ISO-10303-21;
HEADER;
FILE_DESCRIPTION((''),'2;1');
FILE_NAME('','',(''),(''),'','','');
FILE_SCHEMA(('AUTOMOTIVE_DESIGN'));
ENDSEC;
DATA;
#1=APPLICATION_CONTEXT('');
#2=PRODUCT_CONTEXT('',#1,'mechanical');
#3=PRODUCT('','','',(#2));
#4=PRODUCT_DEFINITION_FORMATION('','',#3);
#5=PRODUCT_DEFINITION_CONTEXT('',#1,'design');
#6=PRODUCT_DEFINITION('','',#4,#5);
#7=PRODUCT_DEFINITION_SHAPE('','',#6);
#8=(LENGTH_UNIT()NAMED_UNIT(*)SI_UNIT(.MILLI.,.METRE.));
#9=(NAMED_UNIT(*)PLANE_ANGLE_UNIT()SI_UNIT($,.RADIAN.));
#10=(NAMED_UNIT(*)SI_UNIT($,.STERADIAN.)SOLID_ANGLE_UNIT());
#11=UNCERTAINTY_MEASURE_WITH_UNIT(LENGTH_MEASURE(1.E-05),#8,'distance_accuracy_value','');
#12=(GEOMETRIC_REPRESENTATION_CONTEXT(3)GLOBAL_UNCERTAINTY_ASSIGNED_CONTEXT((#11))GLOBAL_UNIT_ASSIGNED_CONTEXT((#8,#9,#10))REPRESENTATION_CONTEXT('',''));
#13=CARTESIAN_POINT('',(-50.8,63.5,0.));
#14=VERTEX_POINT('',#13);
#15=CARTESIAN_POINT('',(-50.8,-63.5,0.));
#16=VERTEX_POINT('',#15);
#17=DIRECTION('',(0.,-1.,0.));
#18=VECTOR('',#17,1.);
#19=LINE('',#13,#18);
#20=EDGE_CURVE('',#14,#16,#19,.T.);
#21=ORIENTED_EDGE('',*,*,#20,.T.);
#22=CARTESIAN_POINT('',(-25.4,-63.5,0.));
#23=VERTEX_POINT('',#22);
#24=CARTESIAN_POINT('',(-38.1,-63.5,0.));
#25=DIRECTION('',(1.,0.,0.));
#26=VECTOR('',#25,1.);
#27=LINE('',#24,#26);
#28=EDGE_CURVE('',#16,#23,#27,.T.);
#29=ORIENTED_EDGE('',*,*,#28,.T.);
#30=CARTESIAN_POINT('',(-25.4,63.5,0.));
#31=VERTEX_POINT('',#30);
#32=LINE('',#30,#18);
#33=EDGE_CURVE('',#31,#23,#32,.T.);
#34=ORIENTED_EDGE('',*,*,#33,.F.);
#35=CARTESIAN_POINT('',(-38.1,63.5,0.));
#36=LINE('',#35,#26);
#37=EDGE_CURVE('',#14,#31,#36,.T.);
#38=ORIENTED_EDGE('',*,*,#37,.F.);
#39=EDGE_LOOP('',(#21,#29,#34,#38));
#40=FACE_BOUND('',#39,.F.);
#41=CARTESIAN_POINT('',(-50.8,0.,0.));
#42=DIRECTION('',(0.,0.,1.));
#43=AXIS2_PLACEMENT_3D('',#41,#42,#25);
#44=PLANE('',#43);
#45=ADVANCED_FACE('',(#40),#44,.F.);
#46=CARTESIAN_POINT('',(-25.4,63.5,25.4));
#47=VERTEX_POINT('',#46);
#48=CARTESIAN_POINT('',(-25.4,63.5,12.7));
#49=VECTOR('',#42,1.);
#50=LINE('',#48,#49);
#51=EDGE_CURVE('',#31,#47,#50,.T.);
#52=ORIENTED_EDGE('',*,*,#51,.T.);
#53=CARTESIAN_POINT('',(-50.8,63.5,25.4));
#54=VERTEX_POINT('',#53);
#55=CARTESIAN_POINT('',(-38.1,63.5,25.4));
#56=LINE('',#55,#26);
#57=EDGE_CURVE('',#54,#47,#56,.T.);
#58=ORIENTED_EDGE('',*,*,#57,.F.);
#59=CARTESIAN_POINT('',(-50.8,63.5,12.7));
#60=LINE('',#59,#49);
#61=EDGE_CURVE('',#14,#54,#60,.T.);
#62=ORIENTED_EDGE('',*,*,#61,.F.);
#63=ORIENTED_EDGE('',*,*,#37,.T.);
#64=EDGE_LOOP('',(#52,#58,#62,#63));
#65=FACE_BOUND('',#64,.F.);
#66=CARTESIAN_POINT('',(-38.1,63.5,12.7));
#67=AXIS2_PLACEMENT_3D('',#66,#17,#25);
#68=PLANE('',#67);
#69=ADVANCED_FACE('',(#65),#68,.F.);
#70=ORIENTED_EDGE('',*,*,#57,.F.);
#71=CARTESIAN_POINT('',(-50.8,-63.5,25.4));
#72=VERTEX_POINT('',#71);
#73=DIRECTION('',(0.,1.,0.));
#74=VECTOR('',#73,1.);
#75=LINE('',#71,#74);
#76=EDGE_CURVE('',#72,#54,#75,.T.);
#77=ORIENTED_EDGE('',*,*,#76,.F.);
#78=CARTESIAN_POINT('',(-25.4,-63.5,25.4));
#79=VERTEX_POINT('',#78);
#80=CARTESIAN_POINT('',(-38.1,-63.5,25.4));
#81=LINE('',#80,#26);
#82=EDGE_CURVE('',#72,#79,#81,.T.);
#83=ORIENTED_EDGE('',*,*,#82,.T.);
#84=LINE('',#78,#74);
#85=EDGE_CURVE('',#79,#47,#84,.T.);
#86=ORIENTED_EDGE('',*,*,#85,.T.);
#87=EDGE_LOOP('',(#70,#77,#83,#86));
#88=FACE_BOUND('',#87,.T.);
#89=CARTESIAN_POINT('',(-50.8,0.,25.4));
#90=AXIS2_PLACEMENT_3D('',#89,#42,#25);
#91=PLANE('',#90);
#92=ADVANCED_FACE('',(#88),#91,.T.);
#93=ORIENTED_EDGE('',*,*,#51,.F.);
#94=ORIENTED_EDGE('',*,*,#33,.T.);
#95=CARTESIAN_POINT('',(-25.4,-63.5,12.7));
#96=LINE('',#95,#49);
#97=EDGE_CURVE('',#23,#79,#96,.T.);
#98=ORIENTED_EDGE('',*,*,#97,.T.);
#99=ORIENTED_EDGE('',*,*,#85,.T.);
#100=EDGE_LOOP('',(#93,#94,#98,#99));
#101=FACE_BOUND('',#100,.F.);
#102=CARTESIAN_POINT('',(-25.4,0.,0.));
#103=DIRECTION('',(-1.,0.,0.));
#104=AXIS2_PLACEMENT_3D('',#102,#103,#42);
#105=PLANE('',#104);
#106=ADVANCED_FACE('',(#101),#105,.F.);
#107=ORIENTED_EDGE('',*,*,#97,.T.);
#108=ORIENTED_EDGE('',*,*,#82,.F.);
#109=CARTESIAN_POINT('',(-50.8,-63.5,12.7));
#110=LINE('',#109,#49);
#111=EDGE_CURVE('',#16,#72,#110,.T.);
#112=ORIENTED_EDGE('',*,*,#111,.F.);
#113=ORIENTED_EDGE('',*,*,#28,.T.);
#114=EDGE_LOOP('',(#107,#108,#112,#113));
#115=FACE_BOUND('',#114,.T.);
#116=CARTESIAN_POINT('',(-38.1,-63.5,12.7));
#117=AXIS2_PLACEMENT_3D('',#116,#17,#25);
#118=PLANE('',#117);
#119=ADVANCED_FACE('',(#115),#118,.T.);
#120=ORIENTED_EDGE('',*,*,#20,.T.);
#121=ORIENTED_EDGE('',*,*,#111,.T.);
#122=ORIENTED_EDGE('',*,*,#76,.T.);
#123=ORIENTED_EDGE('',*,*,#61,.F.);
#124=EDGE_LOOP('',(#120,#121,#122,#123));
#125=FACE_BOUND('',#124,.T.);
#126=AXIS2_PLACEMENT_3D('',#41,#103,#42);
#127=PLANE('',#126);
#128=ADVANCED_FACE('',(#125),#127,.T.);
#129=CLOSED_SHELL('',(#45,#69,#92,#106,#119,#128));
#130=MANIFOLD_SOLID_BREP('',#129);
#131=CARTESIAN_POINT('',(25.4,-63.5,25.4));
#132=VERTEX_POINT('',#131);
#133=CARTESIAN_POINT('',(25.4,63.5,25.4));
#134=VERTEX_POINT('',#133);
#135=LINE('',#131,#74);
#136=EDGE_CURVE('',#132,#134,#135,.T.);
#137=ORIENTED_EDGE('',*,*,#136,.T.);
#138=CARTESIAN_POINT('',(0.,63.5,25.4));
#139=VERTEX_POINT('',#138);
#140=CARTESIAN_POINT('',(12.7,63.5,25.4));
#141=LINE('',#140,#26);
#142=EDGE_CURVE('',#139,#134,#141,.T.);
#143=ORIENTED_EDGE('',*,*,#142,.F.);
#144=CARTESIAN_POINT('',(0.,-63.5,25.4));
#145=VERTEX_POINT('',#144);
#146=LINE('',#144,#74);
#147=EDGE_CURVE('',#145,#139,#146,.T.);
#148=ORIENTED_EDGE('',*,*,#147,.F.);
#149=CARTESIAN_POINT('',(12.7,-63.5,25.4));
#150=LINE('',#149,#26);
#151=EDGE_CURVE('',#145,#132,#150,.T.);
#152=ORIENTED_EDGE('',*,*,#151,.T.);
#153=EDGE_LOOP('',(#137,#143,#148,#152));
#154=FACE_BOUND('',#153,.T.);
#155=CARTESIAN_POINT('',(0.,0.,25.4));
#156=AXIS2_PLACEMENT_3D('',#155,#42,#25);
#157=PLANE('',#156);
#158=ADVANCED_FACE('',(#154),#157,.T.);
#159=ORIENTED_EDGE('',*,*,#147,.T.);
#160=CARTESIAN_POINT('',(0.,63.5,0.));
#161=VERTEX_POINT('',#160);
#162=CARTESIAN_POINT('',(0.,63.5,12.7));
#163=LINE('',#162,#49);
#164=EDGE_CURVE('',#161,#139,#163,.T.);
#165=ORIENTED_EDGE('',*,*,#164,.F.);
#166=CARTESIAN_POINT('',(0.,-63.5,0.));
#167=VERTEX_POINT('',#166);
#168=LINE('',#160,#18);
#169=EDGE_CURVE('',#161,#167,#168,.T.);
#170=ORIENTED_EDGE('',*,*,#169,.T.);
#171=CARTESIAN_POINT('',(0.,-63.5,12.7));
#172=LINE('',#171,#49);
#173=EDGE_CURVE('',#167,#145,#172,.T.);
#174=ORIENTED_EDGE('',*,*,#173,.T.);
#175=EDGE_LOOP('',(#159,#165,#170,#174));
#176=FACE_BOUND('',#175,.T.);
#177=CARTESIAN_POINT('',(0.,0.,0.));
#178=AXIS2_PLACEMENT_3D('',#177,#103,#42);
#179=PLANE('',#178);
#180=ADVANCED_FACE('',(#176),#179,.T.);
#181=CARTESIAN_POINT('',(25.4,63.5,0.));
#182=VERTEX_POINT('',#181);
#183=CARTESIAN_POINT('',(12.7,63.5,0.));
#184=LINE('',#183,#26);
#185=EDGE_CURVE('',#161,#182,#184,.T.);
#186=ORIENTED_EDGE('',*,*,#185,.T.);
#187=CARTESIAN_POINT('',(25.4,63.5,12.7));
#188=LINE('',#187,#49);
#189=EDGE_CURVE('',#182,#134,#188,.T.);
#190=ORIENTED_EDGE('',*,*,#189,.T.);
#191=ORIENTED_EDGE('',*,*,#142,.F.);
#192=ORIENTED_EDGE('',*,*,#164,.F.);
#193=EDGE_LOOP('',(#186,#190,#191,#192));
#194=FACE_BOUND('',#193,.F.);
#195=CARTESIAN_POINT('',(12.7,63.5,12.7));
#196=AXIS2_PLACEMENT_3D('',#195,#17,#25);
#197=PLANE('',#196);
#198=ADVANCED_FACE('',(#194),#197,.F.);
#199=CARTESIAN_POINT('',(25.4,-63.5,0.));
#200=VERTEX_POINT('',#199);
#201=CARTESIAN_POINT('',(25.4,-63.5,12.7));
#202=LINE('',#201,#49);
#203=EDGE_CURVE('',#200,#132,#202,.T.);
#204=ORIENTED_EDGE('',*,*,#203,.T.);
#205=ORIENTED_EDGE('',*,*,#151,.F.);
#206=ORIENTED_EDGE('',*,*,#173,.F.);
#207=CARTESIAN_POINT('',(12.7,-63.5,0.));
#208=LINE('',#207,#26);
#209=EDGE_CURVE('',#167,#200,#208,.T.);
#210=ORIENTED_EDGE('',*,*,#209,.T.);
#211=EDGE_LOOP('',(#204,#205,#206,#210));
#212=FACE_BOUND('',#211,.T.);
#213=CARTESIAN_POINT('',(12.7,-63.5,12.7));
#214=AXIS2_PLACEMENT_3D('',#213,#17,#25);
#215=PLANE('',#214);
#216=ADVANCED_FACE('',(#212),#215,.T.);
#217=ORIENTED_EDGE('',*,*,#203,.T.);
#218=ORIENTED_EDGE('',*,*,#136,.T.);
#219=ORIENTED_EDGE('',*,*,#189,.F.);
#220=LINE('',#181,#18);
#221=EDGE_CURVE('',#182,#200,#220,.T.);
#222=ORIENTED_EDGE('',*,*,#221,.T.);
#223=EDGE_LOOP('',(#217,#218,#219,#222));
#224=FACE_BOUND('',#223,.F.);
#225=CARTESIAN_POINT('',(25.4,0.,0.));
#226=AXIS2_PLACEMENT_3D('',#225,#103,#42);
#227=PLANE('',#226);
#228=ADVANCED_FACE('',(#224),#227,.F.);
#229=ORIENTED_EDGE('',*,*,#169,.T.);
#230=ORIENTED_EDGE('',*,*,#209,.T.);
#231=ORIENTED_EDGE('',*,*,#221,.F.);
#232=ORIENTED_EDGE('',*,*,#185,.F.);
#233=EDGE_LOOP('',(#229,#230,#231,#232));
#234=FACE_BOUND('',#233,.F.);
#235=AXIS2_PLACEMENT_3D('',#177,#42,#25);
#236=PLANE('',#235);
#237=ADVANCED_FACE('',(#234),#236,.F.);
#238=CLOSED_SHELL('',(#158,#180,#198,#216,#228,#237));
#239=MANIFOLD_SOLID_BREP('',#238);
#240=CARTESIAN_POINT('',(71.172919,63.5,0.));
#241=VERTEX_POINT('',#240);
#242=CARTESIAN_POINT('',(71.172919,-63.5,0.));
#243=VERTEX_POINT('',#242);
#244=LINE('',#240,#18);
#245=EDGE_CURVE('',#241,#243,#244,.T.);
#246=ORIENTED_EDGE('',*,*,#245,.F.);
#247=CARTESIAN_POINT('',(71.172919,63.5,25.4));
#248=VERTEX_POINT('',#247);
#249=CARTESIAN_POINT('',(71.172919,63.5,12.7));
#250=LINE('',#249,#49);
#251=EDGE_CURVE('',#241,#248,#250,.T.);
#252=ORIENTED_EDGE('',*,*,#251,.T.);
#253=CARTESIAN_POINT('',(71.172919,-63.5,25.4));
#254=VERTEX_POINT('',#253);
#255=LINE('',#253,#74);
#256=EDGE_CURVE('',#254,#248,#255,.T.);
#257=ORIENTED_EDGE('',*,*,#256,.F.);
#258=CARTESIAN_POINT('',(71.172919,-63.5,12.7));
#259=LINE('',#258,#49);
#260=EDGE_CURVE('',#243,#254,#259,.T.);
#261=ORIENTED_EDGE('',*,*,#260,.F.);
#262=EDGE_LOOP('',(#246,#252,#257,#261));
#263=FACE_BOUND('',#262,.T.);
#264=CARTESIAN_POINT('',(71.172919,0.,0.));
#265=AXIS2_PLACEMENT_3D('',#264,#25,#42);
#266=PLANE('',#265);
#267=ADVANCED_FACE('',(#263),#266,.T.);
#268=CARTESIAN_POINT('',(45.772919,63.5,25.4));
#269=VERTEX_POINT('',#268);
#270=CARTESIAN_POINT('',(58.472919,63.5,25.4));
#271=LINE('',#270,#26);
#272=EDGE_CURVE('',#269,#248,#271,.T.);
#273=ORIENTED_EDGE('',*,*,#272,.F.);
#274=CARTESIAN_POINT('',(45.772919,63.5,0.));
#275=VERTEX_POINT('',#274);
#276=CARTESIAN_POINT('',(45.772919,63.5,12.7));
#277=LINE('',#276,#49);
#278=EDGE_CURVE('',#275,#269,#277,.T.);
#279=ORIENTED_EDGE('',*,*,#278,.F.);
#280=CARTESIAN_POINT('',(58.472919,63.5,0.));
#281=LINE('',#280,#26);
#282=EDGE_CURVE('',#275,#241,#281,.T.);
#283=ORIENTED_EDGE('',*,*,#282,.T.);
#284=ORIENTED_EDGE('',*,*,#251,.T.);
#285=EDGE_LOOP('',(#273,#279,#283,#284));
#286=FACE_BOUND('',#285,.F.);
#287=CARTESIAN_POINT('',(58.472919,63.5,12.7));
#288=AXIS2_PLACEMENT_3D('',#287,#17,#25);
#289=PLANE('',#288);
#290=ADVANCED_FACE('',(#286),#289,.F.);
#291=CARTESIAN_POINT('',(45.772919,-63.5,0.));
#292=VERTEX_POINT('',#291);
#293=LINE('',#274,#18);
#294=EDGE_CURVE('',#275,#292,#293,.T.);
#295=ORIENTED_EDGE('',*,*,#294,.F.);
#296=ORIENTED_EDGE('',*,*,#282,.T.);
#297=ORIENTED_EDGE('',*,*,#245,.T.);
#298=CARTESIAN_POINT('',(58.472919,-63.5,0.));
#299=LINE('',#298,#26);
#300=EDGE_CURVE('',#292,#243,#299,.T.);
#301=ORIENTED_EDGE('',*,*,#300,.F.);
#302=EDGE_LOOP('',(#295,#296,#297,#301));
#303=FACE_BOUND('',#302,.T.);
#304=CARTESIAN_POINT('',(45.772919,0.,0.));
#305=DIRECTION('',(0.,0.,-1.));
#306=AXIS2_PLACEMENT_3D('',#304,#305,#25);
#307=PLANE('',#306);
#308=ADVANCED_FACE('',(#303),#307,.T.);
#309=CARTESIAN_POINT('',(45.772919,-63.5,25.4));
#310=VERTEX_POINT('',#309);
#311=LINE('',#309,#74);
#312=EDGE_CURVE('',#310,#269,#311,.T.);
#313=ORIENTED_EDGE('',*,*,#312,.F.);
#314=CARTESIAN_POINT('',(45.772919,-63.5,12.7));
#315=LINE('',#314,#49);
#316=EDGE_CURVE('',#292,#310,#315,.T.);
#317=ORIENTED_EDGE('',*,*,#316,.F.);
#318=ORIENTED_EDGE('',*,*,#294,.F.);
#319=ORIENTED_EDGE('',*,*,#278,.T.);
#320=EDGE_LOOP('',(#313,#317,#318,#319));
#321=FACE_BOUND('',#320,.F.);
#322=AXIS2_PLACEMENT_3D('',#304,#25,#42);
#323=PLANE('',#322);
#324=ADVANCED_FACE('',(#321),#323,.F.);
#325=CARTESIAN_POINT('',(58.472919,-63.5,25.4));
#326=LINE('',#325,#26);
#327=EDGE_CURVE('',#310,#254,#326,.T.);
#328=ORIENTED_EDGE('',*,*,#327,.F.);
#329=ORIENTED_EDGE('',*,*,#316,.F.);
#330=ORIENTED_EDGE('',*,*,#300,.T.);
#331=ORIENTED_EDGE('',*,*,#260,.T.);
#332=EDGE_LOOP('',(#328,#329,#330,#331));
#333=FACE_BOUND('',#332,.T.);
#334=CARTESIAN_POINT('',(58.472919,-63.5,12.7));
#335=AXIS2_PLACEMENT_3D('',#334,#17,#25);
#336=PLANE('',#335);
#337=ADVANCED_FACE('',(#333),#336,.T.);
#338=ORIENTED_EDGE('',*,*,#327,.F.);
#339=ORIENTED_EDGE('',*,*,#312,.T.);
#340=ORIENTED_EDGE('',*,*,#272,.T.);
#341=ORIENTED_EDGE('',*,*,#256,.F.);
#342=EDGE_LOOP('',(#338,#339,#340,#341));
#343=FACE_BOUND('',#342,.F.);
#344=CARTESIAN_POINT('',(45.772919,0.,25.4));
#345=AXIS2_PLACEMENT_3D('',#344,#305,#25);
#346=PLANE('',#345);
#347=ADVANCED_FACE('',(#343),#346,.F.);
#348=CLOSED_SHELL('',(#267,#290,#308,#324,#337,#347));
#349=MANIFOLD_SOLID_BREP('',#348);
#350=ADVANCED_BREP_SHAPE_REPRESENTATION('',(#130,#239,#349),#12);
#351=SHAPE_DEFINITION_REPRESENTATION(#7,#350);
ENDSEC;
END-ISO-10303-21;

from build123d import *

# Parameters (mm, degrees)
F0_W     = 25.4
F0_H     = 25.4
F1_DEPTH = 63.5


with BuildPart() as f1:
    # F0 (on Front) → F1 (new body, symmetric)
    with BuildSketch(Plane.XZ):
        with Locations((-38.1, 12.7)):
            Rectangle(F0_W, F0_H)
        with Locations((12.7, 12.7)):
            Rectangle(F0_W, F0_H)
        with Locations((58.472919, 12.7)):
            Rectangle(F0_W, F0_H)
    extrude(amount=F1_DEPTH, both=True)


solid = f1.part
